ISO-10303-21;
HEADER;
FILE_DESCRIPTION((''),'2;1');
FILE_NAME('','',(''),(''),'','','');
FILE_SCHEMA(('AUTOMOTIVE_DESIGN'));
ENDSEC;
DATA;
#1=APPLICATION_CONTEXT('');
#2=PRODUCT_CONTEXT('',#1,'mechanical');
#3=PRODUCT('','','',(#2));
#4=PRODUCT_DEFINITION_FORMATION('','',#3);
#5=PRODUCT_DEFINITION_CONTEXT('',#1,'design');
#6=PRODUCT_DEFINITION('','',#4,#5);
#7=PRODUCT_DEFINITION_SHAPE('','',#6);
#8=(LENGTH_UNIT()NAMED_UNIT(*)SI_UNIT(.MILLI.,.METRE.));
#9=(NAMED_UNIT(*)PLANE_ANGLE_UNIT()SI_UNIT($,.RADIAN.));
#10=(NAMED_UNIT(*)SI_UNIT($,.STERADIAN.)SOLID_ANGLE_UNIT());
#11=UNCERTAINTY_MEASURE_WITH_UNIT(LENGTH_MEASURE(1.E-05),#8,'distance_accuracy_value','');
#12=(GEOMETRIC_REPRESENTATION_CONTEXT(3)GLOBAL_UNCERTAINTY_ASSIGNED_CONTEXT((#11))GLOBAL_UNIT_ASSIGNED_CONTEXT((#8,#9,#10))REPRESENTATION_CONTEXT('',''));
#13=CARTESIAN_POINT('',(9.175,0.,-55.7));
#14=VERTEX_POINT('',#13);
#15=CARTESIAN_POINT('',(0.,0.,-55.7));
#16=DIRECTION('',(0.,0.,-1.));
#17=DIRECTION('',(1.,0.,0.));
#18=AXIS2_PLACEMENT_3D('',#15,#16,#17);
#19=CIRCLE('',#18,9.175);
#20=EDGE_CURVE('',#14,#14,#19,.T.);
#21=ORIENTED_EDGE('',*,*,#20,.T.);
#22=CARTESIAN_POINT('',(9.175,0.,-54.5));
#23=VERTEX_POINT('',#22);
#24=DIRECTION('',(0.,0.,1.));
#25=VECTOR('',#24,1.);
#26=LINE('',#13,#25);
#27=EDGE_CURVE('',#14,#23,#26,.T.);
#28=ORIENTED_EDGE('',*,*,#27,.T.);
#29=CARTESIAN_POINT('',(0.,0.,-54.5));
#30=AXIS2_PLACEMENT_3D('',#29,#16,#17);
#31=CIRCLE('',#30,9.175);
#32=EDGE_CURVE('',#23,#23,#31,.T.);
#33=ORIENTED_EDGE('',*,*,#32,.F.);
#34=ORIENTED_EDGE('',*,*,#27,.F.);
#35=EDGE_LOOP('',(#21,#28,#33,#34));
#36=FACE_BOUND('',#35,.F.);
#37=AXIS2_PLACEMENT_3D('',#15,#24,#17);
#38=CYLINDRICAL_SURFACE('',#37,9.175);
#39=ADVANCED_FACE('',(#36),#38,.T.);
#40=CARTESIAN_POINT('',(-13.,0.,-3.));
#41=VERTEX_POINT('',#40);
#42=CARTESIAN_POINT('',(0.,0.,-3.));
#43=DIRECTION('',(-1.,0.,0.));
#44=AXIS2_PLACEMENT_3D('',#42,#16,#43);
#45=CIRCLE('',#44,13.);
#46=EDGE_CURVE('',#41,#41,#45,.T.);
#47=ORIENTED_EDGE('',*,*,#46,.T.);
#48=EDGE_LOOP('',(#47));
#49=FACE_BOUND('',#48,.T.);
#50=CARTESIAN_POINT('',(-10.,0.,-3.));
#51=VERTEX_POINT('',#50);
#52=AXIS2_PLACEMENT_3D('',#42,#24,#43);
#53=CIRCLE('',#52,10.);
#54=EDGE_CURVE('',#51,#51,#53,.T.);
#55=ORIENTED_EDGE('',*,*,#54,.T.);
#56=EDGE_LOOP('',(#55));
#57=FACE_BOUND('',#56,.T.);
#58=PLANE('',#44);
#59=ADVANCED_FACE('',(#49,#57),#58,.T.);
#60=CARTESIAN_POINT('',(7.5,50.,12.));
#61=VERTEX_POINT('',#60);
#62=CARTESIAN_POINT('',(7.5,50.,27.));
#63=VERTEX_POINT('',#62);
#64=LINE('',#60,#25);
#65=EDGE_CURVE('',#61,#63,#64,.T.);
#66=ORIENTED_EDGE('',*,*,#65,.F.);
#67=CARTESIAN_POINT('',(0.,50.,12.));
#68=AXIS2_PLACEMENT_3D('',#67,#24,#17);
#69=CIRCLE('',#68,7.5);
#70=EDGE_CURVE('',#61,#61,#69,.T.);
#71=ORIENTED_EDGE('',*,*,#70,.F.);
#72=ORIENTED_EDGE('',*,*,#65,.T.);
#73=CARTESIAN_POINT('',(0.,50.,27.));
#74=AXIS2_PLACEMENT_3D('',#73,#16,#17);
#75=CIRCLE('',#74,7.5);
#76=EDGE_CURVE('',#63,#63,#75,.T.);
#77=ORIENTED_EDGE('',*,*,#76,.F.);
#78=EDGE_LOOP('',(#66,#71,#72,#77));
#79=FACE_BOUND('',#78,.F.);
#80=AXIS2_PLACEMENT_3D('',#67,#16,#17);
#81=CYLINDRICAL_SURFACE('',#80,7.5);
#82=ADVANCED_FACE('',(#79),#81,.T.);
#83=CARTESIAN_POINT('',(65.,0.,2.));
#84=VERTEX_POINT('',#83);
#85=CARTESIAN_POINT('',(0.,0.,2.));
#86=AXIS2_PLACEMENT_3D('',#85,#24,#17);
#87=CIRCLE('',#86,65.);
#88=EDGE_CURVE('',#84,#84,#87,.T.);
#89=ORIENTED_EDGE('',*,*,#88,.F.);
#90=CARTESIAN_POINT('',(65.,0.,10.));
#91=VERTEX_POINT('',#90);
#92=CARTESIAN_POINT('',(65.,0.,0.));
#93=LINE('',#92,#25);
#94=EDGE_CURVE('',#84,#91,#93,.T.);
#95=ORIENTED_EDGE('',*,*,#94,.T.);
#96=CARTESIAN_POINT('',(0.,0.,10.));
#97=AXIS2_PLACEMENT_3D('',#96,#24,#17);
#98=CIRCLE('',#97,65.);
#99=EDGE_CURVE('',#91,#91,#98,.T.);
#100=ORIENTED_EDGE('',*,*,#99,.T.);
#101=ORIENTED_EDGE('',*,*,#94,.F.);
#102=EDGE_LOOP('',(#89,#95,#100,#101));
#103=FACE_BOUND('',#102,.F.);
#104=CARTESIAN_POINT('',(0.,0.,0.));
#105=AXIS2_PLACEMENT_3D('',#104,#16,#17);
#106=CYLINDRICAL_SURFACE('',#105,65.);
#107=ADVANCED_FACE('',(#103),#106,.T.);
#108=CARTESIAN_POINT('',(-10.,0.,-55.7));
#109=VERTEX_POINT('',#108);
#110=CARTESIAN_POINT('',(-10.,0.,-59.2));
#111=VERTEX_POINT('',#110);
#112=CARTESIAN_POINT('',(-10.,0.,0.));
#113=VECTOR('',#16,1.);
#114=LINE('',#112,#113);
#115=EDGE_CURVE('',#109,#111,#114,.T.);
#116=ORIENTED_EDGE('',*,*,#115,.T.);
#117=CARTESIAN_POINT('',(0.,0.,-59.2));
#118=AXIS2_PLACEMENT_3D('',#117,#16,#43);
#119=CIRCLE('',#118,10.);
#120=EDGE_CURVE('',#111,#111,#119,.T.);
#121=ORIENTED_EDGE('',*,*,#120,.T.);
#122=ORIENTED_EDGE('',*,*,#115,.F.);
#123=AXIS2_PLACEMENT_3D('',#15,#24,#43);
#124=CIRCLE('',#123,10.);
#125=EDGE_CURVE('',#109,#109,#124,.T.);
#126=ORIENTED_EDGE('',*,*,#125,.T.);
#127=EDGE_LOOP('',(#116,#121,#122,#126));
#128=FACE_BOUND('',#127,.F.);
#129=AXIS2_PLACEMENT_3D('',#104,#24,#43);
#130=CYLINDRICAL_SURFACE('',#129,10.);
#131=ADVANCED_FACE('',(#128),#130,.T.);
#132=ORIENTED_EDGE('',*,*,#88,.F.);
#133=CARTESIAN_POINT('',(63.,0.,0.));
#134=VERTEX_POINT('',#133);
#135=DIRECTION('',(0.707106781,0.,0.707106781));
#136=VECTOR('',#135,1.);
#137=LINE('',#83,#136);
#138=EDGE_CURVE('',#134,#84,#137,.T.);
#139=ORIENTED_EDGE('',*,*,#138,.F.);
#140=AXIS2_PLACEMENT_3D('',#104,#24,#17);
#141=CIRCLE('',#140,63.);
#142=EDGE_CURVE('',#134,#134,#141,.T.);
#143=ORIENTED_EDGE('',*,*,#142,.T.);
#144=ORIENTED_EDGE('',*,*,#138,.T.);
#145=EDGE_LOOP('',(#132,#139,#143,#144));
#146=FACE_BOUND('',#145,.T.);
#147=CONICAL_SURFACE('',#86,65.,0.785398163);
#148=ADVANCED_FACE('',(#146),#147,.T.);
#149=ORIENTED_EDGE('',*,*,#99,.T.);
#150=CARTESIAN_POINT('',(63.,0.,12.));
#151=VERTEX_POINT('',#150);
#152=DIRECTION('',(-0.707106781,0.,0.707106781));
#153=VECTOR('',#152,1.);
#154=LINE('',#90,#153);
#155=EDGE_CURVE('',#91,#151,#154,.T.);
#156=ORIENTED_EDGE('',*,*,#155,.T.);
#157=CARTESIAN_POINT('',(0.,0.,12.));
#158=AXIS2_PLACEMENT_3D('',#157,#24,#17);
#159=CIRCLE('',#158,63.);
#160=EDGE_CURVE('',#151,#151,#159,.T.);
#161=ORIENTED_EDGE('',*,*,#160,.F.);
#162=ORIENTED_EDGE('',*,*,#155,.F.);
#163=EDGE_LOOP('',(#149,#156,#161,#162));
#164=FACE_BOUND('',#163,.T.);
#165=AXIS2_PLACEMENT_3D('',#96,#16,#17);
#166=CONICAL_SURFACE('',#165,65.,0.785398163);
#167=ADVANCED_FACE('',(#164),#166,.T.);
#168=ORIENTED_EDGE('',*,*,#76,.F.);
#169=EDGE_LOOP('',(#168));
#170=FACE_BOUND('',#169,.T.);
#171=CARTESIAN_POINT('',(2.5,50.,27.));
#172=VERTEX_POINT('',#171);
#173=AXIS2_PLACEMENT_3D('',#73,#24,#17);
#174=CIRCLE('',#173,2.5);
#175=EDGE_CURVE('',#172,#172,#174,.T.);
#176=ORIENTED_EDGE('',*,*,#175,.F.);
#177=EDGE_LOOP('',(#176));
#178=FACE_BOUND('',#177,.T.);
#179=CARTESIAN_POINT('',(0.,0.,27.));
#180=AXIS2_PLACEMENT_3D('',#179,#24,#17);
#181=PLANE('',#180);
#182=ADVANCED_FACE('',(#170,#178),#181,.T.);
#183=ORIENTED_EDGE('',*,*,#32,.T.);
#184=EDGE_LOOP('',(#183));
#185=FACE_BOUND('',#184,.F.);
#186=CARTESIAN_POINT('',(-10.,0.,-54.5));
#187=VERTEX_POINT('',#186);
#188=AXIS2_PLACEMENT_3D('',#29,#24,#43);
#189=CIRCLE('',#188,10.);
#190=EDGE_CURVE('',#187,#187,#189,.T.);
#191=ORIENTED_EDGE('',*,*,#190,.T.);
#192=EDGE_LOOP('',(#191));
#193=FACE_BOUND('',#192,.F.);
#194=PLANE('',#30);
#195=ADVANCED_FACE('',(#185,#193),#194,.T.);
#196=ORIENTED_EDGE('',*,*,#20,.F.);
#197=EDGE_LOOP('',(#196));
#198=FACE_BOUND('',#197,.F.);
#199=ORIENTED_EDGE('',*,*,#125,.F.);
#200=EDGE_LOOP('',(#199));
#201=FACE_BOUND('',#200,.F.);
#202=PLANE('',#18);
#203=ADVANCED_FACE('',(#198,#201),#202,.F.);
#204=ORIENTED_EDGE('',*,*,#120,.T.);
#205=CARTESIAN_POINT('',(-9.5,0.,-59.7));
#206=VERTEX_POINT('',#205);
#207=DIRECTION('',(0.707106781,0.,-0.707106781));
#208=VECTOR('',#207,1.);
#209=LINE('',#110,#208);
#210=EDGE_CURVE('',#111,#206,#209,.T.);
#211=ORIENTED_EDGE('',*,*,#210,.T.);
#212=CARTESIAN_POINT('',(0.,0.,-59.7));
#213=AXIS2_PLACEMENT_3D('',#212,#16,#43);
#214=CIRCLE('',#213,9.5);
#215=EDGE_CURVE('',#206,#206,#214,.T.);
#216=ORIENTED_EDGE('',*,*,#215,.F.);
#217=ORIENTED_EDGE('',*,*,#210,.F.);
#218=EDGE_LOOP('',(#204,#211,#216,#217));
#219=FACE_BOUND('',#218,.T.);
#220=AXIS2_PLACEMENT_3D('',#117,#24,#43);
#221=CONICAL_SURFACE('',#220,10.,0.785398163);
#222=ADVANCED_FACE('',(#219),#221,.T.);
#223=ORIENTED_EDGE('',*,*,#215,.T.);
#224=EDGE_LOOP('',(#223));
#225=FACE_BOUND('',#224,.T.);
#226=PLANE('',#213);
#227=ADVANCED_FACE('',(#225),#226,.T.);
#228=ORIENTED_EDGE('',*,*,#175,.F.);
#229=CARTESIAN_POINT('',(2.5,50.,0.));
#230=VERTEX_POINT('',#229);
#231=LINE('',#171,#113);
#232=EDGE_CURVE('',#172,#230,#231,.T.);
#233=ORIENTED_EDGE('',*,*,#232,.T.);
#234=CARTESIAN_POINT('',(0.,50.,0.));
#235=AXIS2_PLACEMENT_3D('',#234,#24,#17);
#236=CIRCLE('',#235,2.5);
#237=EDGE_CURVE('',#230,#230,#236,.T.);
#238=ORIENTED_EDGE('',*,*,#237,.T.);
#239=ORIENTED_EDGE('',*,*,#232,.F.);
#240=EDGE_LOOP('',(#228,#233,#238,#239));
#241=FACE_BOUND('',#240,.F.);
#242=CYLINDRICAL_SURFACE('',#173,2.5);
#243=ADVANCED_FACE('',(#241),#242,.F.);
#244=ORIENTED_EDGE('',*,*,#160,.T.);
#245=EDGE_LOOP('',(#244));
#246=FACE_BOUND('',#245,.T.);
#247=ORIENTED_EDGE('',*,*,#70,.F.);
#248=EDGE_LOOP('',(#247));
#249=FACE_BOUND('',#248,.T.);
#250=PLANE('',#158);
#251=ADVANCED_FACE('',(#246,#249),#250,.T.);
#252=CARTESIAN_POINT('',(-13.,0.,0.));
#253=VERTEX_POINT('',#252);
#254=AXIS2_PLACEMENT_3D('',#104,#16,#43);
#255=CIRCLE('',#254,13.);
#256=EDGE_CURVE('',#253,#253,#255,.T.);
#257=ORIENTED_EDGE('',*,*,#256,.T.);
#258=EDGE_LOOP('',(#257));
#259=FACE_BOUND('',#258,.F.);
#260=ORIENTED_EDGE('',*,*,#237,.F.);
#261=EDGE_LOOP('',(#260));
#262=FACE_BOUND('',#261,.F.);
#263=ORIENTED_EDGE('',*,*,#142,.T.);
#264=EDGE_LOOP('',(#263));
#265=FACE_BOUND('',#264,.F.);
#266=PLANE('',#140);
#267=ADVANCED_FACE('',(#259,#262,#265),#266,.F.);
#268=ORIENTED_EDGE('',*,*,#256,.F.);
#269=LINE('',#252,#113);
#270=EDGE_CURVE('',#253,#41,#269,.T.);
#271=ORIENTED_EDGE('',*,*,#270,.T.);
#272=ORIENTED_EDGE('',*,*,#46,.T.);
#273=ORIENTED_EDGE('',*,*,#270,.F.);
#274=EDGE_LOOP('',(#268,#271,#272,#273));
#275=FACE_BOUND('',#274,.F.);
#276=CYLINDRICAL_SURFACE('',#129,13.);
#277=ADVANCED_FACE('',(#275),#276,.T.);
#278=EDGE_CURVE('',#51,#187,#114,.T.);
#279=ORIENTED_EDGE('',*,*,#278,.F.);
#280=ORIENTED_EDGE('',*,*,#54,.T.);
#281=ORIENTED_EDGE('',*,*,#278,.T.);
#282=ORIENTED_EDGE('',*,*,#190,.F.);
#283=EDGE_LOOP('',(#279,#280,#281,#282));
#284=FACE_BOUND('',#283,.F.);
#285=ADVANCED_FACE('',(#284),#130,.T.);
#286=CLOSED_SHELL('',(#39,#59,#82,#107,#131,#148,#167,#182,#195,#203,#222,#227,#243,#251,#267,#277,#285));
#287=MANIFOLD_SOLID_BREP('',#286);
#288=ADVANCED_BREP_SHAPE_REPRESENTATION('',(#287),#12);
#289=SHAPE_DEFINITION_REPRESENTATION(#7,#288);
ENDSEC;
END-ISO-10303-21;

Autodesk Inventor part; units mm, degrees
ref_plane "YZ Plane" through (0, 0, 0) normal (1, 0, 0) x (0, 1, 0)
ref_plane "XZ Plane" through (0, 0, 0) normal (0, 1, 0) x (-1, 0, 0)
ref_plane "XY Plane" through (0, 0, 0) normal (0, 0, 1) x (1, 0, 0)
sketch "草图1" plane through (0, 0, 0) normal (0, 0, 1) x (1, 0, 0)
  circle A0 centre (0, 0) radius 65
  dimension "d0" = 130
extrude "拉伸1" add sketch "草图1" along normal blind 12
sketch "草图2" plane through (0, 0, 12) normal (0, 0, 1) x (1, 0, 0)
  circle A0 centre (0, 0) radius 50
  circle A1 centre (0, 50) radius 7.5
  line L0 (0, 0) -> (0, 11.3897)
  dimension "d3" = 100
  dimension "d4" = 15
  dimension "d5" = 11.3897
extrude "拉伸2" add sketch "草图2" along normal blind 15 contours A1 A0 | A0 A1 picked at (0, 47.4583) picked at (0.2152, 52.449)
sketch "草图3" plane through (0, 50, 27) normal (0, 0, 1) x (1, 0, 0)
  circle A0 centre (0, 0) radius 2.5
  circle A1 centre (0, 0) radius 7.5 projected
  point P0 (0, -50)
  dimension "d8" = 5
extrude "拉伸3" cut sketch "草图3" against normal through all contours A0
thread "螺纹1" size "M5x0.8" class "6H" standard "ANSI Metric M Profile" full length
sketch "草图4" plane through (0, 0, 0) normal (0, 0, -1) x (-1, 0, 0)
  circle A0 centre (0, 0) radius 10
  dimension "d13" = 20
extrude "拉伸4" add sketch "草图4" along normal blind 59.7
sketch "草图5" plane through (0, 0, 0) normal (0, 0, -1) x (-1, 0, 0)
  circle A0 centre (0, 0) radius 13
  dimension "d16" = 26
extrude "拉伸5" add sketch "草图5" along normal blind 3
chamfer "倒角1" distance 2 angle 45 2 edges at (-65, 0, 0) (-65, 0, 12)
chamfer "倒角2" distance 0.5 angle 45 1 edges at (10, 0, -59.7)
sketch "草图6" plane through (0, 0, 0) normal (0, 1, 0) x (-1, 0, 0)
  line L0 (-9.175, -54.5) -> (-18.451, -54.5)
  line L1 (-18.451, -54.5) -> (-18.451, -55.7)
  line L2 (-18.451, -55.7) -> (-9.175, -55.7)
  line L3 (-9.175, -55.7) -> (-9.175, -54.5)
  line L4 (9.5, -59.7) -> (-9.5, -59.7) projected
  line L5 (0, -59.7) -> (0, -69.9932)
  point P0 (0, 0)
  dimension "d25" = 10.2932
  dimension "d26" = 4
  dimension "d27" = 1.2
  dimension "d28" = 9.175
  dimension "d29" = 9.276
revolve "旋转1" cut sketch "草图6" angle 360 about axis through (0, 0, -59.7) along (0, 0, -1)
properties part number "刀轴带动盘"
